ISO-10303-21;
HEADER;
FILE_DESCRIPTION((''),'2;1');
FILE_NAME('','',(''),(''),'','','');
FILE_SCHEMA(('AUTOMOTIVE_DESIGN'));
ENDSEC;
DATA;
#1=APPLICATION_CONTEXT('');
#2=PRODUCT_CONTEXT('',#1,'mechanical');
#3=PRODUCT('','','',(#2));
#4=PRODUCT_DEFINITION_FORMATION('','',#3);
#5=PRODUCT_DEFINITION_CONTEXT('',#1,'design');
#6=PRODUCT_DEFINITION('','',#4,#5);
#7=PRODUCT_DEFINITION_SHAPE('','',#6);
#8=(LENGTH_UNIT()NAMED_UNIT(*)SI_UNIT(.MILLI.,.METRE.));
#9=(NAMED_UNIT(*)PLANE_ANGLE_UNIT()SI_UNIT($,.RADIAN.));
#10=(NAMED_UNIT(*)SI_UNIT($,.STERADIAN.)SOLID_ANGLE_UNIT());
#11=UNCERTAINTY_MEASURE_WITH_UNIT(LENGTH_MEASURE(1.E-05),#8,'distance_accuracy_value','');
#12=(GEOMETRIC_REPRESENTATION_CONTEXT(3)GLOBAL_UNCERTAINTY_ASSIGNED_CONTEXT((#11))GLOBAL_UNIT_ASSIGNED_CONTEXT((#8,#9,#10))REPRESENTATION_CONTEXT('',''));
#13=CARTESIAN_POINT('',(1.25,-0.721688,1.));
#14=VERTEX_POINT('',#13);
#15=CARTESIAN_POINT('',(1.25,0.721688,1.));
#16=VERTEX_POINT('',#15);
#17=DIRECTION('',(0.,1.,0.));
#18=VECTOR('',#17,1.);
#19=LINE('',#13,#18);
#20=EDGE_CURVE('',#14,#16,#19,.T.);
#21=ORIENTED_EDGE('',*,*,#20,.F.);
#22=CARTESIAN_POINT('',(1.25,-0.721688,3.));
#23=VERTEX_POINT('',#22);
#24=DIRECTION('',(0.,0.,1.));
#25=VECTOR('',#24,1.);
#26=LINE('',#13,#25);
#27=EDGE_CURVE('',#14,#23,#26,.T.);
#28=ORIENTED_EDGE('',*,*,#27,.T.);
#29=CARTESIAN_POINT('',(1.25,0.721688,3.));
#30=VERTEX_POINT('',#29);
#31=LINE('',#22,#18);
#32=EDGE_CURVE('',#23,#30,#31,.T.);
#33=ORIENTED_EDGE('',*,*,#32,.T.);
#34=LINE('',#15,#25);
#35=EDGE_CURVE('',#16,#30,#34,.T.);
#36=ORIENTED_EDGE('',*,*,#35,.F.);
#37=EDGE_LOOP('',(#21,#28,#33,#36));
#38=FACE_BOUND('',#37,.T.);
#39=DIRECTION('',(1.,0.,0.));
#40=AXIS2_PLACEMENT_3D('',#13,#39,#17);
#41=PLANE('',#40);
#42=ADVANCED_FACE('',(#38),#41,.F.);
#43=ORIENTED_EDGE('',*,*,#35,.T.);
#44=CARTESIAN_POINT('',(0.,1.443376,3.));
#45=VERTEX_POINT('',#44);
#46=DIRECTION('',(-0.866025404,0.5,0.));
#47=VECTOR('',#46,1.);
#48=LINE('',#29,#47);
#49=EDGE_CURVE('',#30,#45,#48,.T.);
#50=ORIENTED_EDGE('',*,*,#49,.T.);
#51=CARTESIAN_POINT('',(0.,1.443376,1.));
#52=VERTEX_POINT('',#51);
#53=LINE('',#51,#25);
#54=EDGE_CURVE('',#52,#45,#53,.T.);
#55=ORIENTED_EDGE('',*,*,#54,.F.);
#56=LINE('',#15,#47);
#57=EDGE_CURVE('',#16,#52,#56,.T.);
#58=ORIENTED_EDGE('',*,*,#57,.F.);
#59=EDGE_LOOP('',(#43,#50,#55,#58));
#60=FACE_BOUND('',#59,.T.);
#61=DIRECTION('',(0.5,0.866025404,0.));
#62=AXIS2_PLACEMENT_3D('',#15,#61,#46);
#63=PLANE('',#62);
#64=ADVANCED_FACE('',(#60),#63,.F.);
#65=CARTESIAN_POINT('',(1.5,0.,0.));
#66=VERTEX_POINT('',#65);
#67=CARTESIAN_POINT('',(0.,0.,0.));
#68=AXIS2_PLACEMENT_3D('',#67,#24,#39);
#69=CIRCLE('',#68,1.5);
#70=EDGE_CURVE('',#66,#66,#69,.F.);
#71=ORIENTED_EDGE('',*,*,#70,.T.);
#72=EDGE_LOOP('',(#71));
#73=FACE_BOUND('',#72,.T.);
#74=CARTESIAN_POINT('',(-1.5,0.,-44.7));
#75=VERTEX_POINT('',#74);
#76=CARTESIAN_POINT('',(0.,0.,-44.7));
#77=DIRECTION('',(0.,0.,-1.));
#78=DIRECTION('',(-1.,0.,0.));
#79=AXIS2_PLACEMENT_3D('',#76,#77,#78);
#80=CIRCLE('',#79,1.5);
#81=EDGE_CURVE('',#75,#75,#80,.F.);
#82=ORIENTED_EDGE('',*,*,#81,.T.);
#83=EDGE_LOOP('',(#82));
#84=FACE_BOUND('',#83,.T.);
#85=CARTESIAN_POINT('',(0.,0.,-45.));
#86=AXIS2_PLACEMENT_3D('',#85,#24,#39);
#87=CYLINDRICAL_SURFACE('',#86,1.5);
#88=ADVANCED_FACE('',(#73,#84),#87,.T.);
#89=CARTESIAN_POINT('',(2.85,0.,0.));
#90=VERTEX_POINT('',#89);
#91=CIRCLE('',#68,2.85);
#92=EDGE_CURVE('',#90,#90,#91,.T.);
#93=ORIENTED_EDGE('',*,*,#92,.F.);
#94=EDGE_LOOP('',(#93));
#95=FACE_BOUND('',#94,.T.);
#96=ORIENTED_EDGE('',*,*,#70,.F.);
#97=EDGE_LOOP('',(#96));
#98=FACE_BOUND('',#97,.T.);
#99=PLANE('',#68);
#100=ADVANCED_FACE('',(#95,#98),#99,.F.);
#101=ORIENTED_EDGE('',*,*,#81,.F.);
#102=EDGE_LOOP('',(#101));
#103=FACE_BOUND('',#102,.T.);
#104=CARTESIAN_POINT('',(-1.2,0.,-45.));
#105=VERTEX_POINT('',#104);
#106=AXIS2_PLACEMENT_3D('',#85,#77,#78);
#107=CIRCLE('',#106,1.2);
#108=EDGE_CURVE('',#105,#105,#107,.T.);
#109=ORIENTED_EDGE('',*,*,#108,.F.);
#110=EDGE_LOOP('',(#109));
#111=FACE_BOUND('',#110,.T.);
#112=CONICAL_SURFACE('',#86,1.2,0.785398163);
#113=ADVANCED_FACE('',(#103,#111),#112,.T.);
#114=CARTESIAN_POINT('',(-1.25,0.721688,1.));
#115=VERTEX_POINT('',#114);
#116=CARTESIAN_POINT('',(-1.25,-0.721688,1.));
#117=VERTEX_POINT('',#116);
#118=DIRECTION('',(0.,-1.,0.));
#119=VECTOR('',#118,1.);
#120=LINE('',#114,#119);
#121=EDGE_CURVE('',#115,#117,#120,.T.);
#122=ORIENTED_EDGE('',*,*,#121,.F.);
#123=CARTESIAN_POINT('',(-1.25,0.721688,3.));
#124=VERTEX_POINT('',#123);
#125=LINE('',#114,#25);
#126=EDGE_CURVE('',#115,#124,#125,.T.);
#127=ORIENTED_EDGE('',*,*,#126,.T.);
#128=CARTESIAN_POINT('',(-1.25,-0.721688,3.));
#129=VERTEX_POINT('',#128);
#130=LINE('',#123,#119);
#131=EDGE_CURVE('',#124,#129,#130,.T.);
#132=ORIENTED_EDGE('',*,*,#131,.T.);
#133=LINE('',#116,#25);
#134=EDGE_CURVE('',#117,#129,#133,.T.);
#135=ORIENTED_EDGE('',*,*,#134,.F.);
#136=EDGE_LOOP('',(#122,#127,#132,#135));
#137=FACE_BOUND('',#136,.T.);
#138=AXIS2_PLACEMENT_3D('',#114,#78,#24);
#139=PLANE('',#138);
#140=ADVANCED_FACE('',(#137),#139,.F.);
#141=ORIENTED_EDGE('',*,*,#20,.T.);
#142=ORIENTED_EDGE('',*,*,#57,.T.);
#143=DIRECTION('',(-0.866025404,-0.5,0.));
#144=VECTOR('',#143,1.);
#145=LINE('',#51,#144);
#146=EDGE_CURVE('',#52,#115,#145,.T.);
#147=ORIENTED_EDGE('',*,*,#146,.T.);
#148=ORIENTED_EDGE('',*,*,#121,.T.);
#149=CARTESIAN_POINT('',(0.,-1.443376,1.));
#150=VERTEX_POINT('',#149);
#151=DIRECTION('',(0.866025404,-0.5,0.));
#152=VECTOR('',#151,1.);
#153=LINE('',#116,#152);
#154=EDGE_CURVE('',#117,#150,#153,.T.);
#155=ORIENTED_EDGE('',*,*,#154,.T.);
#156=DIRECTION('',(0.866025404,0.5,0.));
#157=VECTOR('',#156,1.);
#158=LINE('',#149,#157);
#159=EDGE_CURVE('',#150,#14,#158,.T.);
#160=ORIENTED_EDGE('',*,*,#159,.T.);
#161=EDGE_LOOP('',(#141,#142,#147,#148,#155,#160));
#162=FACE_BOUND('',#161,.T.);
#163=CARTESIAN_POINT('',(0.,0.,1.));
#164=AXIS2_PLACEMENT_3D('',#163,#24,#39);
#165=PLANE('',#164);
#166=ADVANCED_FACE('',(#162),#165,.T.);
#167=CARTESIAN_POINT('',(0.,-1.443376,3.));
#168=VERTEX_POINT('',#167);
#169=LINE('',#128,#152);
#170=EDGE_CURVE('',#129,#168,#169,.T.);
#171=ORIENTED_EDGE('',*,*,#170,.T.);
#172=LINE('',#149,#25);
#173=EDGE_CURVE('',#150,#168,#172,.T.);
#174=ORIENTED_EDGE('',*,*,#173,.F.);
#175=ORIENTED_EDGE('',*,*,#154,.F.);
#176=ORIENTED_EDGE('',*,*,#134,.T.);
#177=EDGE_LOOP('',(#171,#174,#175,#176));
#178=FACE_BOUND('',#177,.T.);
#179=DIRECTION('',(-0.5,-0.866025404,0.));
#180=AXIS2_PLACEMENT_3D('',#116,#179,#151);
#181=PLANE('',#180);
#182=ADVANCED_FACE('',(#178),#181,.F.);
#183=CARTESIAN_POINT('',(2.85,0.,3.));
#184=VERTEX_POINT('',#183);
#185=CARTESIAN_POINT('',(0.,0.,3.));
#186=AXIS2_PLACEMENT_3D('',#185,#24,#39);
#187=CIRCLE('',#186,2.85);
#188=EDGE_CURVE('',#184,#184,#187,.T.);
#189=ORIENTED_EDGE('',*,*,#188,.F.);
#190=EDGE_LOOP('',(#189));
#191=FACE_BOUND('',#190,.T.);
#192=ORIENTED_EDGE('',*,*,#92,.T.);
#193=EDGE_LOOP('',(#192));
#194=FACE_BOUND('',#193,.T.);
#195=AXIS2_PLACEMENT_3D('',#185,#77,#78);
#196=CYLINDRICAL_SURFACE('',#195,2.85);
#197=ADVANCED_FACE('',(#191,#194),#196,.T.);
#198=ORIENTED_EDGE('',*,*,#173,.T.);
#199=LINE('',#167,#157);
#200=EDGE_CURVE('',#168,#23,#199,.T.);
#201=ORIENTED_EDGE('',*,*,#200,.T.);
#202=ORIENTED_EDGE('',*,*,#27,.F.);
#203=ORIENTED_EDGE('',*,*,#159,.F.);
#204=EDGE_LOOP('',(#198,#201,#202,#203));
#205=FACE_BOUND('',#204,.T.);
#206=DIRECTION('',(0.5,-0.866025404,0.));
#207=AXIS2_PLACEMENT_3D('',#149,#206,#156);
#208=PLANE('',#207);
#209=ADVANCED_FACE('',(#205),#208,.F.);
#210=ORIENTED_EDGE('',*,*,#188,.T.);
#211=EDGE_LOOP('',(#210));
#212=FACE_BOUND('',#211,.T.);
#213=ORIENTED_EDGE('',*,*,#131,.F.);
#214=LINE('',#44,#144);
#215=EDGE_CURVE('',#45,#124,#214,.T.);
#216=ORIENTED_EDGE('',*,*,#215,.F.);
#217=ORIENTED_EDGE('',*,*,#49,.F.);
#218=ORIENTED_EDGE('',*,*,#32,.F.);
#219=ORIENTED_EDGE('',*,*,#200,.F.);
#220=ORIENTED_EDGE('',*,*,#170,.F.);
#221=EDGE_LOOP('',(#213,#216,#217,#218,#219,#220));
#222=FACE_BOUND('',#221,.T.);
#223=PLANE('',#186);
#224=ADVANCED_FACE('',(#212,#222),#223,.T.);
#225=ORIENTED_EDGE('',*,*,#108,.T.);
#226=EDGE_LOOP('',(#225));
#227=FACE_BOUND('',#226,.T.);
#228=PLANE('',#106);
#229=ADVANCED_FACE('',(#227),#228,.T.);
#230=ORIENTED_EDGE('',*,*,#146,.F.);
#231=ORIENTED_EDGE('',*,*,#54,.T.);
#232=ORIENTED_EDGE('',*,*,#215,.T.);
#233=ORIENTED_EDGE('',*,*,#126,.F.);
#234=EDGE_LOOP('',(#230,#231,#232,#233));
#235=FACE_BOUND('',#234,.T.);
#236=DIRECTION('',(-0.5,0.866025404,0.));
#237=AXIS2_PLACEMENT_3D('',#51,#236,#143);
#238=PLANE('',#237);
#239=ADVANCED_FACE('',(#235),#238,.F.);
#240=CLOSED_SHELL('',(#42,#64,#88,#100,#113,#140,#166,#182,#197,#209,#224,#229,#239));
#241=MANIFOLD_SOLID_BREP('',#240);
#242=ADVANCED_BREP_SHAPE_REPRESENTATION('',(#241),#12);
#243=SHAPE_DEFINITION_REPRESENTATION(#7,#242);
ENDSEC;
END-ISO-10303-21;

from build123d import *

# Parameters (mm, degrees)
SKETCH1_R           = 2.85
BOSS_EXTRUDE1_DEPTH = 3
SKETCH2_R           = 1.5
BOSS_EXTRUDE2_DEPTH = 45
CHAMFER1_SIZE       = 0.3
CUT_EXTRUDE1_DEPTH  = 2


with BuildPart() as part:
    # Sketch1 → Boss-Extrude1 (new body)
    with BuildSketch(Plane.XY):
        Circle(SKETCH1_R)
    extrude(amount=BOSS_EXTRUDE1_DEPTH)

    # Sketch2 → Boss-Extrude2 (add)
    with BuildSketch(Plane(origin=(0, 0, 0), x_dir=(-1, 0, 0), z_dir=(0, 0, -1))):
        Circle(SKETCH2_R)
    extrude(amount=BOSS_EXTRUDE2_DEPTH)

    # Chamfer1
    chamfer1_edges = [part.edges().sort_by_distance(p)[0] for p in [
        (1.5, 0, -45),
    ]]
    chamfer(chamfer1_edges, length=CHAMFER1_SIZE)

    # Sketch3 → Cut-Extrude1 (cut)
    with BuildSketch(Plane.XY.offset(3)):
        Polygon((0, 1.443375673), (-1.25, 0.721687836), (-1.25, -0.721687836), (0, -1.443375673), (1.25, -0.721687836), (1.25, 0.721687836), align=None)
    extrude(amount=-CUT_EXTRUDE1_DEPTH, mode=Mode.SUBTRACT)


solid = part.part
